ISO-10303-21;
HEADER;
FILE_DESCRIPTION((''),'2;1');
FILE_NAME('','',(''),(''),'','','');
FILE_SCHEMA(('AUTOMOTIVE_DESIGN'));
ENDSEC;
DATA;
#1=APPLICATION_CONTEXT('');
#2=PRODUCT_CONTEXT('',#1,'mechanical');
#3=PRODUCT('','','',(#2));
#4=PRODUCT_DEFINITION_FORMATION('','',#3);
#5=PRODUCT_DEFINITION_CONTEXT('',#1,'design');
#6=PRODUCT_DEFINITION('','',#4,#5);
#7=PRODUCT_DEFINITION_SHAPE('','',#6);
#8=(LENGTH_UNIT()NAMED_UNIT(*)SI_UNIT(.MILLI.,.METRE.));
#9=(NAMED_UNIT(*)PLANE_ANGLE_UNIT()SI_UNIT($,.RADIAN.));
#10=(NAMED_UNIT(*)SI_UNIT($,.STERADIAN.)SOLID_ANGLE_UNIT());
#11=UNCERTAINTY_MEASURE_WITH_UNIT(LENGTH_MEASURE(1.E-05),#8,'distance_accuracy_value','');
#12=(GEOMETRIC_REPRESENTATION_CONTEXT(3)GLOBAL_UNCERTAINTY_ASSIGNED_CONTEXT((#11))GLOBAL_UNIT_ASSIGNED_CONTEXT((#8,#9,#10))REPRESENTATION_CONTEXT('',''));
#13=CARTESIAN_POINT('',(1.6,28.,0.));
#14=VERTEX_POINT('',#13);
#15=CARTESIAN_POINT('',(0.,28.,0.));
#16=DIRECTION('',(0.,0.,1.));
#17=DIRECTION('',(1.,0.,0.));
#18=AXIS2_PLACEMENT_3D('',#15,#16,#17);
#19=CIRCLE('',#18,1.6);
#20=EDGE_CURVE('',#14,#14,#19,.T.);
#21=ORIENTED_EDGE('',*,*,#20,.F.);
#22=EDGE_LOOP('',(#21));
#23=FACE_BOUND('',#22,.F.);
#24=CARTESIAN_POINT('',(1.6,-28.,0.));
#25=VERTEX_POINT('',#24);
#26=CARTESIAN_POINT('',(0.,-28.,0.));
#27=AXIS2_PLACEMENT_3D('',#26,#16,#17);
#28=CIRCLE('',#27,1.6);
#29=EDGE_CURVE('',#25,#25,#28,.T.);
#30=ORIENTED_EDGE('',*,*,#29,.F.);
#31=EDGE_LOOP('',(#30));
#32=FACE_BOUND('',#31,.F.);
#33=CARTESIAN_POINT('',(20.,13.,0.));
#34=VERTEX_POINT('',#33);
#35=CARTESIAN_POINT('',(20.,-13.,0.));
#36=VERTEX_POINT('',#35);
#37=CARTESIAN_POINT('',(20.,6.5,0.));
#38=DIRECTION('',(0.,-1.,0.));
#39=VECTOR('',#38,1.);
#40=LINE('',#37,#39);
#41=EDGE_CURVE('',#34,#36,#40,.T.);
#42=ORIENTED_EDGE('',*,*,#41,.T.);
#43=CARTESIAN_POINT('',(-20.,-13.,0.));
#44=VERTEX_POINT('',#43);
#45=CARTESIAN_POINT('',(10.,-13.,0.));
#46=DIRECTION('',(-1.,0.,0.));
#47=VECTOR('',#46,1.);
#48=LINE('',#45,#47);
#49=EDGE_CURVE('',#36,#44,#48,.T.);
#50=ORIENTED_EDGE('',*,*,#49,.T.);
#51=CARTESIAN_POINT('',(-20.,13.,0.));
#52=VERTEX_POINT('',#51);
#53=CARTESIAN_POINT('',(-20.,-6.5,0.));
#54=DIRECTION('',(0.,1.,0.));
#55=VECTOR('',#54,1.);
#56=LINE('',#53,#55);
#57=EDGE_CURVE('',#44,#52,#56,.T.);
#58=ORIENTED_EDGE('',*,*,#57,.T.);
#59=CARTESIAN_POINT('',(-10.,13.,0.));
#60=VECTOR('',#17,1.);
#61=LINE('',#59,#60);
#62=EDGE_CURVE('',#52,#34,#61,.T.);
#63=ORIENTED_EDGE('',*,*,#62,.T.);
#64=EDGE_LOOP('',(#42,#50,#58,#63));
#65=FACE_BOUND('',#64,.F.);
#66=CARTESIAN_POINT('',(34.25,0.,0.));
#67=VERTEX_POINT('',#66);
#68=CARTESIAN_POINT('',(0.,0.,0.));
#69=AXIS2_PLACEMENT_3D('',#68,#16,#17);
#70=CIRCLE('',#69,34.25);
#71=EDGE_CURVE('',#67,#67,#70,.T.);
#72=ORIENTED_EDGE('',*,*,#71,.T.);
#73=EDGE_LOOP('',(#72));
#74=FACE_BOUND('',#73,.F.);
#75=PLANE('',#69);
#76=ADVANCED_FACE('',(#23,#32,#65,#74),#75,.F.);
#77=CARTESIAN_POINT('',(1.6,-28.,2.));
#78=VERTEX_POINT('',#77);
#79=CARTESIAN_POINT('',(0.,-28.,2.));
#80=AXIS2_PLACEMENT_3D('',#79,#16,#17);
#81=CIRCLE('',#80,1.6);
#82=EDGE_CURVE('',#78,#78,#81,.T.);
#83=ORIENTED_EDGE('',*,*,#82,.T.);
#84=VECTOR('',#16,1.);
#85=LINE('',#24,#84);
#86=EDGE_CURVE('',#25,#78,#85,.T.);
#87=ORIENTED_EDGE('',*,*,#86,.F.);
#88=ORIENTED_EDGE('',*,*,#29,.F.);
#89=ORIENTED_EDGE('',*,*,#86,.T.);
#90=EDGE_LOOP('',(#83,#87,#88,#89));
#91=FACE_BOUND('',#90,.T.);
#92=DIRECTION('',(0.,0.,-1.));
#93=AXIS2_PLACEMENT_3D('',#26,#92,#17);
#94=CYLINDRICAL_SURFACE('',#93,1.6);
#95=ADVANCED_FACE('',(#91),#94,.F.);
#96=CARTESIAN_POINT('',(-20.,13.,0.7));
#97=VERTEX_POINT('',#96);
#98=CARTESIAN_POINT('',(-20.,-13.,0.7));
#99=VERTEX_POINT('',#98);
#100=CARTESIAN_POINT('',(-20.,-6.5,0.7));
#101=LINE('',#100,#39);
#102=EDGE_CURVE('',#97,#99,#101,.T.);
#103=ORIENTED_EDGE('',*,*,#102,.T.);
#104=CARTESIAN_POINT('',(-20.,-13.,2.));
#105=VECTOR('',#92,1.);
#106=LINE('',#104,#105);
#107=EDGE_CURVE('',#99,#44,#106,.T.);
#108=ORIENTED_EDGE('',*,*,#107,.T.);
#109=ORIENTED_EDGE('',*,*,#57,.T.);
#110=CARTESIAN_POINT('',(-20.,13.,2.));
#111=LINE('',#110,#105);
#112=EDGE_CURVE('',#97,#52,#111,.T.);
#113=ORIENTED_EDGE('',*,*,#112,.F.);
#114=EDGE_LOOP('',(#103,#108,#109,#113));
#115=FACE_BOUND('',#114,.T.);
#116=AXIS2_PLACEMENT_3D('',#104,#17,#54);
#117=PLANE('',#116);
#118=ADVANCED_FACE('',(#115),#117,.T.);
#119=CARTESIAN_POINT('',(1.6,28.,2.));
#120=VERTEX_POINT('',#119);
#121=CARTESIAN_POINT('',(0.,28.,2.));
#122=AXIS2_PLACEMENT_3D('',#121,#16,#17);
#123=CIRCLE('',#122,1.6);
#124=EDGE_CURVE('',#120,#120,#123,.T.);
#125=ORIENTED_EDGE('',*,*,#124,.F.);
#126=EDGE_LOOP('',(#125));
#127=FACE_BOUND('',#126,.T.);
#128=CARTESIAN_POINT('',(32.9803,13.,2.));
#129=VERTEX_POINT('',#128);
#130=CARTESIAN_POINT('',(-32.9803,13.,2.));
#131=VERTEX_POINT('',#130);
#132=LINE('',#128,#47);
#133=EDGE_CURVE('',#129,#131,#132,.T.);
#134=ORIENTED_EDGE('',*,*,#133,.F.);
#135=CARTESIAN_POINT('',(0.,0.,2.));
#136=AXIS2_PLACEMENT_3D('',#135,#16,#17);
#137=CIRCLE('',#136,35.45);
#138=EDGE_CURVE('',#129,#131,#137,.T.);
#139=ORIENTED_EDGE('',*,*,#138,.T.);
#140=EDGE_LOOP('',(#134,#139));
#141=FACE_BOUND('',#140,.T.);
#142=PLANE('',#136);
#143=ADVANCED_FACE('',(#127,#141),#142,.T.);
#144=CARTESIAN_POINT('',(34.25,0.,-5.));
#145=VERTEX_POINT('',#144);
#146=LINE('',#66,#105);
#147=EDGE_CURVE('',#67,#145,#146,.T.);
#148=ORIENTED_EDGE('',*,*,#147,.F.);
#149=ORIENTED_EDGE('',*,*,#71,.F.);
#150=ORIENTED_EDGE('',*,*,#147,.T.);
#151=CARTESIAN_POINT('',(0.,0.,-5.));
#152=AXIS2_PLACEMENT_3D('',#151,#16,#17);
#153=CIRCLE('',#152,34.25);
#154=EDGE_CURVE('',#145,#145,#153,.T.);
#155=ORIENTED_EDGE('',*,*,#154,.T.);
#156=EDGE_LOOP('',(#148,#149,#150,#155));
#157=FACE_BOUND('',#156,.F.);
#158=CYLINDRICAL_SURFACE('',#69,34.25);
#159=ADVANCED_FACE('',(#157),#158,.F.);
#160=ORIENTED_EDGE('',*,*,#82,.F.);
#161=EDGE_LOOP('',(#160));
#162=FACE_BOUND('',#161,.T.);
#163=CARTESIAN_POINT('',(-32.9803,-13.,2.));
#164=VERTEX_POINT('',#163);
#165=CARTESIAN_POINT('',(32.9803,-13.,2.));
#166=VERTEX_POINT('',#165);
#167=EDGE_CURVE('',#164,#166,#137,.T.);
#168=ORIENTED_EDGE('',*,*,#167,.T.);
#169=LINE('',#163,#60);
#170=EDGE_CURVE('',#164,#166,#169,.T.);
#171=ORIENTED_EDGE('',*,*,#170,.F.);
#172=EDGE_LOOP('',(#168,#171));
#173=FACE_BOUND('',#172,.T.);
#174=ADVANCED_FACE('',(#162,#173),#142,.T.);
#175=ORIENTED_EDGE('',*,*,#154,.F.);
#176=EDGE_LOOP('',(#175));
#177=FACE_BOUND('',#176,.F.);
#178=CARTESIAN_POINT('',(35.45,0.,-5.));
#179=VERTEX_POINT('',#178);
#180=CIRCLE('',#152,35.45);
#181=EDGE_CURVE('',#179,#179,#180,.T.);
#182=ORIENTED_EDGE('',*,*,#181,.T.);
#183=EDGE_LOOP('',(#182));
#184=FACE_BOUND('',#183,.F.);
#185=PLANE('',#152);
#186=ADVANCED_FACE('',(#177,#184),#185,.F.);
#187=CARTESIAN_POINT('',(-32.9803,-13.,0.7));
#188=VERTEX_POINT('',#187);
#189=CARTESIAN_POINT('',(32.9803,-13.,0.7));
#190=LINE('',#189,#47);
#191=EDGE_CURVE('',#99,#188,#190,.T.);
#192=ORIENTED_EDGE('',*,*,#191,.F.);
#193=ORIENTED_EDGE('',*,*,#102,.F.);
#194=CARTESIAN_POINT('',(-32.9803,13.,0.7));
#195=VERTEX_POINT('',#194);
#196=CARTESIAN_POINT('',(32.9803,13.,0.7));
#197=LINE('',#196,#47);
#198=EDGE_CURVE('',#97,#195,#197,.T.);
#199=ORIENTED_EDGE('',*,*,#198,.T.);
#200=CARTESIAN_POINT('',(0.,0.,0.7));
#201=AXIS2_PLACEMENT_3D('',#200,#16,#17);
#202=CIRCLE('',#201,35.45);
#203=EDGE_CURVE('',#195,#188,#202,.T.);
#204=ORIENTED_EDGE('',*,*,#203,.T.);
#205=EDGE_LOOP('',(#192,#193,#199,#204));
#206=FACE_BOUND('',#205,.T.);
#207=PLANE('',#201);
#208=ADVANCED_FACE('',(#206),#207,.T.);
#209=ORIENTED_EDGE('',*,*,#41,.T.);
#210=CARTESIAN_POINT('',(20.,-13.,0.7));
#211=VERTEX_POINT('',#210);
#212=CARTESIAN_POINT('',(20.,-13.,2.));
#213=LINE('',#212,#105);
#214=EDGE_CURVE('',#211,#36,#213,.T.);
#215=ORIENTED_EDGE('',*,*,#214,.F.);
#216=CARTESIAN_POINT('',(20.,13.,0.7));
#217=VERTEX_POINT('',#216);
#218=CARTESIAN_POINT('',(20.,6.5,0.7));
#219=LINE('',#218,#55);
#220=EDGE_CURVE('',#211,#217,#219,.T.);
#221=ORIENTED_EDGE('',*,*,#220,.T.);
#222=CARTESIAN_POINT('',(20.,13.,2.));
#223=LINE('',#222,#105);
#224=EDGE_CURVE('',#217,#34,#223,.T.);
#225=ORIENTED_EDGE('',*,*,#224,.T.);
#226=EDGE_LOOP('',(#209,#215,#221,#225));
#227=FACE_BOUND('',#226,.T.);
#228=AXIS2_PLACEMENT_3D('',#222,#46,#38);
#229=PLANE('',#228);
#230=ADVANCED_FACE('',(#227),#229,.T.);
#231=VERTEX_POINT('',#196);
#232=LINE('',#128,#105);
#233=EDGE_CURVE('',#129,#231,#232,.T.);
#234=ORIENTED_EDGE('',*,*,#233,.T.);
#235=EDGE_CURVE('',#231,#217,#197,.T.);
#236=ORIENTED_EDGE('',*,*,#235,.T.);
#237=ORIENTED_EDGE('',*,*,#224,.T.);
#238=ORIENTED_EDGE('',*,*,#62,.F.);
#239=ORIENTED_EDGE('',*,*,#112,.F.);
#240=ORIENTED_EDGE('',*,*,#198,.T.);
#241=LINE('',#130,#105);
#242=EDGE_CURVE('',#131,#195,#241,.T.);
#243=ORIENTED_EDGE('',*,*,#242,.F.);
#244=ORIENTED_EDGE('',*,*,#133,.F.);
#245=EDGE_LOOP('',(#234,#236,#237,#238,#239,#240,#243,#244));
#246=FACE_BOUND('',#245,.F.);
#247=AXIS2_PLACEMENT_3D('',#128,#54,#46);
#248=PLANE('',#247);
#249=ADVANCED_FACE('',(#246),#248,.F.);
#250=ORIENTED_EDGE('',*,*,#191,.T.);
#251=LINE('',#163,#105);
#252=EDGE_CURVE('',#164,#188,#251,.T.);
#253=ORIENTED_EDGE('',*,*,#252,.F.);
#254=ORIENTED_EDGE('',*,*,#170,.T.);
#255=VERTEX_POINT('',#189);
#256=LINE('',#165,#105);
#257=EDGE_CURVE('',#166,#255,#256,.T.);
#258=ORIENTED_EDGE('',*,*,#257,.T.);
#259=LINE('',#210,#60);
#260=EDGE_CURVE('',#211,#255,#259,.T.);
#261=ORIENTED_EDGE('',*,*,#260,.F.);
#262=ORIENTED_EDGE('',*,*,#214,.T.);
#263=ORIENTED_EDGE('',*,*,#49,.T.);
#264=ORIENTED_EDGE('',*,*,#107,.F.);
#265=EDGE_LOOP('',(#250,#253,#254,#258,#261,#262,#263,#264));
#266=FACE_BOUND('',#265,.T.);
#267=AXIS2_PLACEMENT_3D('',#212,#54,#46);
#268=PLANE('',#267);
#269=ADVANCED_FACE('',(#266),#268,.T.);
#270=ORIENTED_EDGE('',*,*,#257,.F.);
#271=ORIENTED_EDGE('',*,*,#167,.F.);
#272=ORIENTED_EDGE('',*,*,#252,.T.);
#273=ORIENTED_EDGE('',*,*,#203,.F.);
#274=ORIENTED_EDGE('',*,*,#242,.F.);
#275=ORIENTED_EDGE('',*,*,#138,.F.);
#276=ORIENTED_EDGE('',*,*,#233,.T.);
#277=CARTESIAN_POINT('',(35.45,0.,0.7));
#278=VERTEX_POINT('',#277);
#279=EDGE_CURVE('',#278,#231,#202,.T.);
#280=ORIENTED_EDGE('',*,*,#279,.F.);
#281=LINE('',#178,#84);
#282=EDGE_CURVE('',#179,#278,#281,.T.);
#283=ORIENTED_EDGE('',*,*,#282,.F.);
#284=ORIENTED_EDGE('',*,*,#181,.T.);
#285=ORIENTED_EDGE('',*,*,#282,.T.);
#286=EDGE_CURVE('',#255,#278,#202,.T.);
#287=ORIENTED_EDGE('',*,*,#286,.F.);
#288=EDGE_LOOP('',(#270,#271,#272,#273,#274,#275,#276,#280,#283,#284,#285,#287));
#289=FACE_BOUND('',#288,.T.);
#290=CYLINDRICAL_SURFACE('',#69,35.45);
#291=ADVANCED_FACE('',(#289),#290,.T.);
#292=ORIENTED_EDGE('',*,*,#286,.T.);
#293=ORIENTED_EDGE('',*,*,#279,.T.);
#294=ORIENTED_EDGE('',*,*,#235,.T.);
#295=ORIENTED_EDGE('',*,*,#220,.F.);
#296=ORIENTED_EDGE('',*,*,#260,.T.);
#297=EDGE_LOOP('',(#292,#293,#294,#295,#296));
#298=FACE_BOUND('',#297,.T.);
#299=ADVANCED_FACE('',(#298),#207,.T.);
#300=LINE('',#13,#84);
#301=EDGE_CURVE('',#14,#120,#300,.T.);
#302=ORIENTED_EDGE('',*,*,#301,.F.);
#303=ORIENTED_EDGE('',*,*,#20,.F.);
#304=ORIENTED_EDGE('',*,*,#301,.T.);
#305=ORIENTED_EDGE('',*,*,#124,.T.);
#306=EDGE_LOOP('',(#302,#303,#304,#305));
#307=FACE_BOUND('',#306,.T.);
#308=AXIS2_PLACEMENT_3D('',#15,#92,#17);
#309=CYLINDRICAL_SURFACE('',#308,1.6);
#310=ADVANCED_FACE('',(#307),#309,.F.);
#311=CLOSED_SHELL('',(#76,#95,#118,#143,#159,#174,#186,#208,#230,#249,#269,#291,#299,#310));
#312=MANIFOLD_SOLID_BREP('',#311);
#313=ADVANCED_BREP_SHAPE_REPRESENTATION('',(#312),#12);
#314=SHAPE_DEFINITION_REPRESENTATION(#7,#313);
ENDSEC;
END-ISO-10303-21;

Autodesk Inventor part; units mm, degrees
ref_plane "YZ Plane" through (0, 0, 0) normal (1, 0, 0) x (0, 1, 0)
ref_plane "XZ Plane" through (0, 0, 0) normal (0, 1, 0) x (-1, 0, 0)
ref_plane "XY Plane" through (0, 0, 0) normal (0, 0, 1) x (1, 0, 0)
sketch "Sketch1" plane through (0, 0, 0) normal (0, 0, 1) x (1, 0, 0)
  circle A0 centre (0, 0) radius 34 construction
  circle A1 centre (0, 28) radius 1.6 projected
  circle A2 centre (0, -28) radius 1.6 projected
  circle A3 centre (0, 0) radius 34.25
  circle A4 centre (0, 0) radius 35.45
  dimension "d0" = 0.25
  dimension "d1" = 1.2
extrude "Extrusion1" add sketch "Sketch1" against normal blind 5 contours A4
sketch "Sketch4" plane through (0, 0, 0) normal (0, 0, 1) x (1, 0, 0)
  circle A0 centre (0, 0) radius 35.45 projected
  circle A1 centre (0, 28) radius 1.6 projected
  circle A2 centre (0, -28) radius 1.6 projected
extrude "Extrusion2" add sketch "Sketch4" along normal blind 2
sketch "Sketch5" plane through (0, 0, 2) normal (0, 0, 1) x (1, 0, 0)
  circle A0 centre (0, 0) radius 35.45 projected
  line L0 (-20, 13) -> (20, 13)
  line L1 (20, 13) -> (20, -13)
  line L2 (20, -13) -> (-20, -13)
  line L3 (-20, -13) -> (-20, 13)
  line L4 (-20, 13) -> (20, -13) construction
  line L5 (20, 13) -> (-20, -13) construction
  dimension "d6" = 40
  dimension "d7" = 26
extrude "Extrusion3" cut sketch "Sketch5" against normal through all contours L0 L1 L2 L3
sketch "Sketch6" plane through (0, 0, 2) normal (0, 0, 1) x (1, 0, 0)
  line L0 (32.2267, 13) -> (20, 13)
  line L1 (20, -13) -> (32.2267, -13)
  circle A0 centre (0, 0) radius 35.45
  circle A1 centre (0, 0) radius 35.45 projected
  line L2 (32.9803, 13) -> (-32.9803, 13)
  line L3 (-20, 13) -> (20, 13) projected
  line L4 (32.9803, -13) -> (-32.9803, -13)
extrude "Extrusion4" cut sketch "Sketch6" against normal blind 1.3 contours L2 A0 L4 L1 L0
properties part number "LensMount_frame"
